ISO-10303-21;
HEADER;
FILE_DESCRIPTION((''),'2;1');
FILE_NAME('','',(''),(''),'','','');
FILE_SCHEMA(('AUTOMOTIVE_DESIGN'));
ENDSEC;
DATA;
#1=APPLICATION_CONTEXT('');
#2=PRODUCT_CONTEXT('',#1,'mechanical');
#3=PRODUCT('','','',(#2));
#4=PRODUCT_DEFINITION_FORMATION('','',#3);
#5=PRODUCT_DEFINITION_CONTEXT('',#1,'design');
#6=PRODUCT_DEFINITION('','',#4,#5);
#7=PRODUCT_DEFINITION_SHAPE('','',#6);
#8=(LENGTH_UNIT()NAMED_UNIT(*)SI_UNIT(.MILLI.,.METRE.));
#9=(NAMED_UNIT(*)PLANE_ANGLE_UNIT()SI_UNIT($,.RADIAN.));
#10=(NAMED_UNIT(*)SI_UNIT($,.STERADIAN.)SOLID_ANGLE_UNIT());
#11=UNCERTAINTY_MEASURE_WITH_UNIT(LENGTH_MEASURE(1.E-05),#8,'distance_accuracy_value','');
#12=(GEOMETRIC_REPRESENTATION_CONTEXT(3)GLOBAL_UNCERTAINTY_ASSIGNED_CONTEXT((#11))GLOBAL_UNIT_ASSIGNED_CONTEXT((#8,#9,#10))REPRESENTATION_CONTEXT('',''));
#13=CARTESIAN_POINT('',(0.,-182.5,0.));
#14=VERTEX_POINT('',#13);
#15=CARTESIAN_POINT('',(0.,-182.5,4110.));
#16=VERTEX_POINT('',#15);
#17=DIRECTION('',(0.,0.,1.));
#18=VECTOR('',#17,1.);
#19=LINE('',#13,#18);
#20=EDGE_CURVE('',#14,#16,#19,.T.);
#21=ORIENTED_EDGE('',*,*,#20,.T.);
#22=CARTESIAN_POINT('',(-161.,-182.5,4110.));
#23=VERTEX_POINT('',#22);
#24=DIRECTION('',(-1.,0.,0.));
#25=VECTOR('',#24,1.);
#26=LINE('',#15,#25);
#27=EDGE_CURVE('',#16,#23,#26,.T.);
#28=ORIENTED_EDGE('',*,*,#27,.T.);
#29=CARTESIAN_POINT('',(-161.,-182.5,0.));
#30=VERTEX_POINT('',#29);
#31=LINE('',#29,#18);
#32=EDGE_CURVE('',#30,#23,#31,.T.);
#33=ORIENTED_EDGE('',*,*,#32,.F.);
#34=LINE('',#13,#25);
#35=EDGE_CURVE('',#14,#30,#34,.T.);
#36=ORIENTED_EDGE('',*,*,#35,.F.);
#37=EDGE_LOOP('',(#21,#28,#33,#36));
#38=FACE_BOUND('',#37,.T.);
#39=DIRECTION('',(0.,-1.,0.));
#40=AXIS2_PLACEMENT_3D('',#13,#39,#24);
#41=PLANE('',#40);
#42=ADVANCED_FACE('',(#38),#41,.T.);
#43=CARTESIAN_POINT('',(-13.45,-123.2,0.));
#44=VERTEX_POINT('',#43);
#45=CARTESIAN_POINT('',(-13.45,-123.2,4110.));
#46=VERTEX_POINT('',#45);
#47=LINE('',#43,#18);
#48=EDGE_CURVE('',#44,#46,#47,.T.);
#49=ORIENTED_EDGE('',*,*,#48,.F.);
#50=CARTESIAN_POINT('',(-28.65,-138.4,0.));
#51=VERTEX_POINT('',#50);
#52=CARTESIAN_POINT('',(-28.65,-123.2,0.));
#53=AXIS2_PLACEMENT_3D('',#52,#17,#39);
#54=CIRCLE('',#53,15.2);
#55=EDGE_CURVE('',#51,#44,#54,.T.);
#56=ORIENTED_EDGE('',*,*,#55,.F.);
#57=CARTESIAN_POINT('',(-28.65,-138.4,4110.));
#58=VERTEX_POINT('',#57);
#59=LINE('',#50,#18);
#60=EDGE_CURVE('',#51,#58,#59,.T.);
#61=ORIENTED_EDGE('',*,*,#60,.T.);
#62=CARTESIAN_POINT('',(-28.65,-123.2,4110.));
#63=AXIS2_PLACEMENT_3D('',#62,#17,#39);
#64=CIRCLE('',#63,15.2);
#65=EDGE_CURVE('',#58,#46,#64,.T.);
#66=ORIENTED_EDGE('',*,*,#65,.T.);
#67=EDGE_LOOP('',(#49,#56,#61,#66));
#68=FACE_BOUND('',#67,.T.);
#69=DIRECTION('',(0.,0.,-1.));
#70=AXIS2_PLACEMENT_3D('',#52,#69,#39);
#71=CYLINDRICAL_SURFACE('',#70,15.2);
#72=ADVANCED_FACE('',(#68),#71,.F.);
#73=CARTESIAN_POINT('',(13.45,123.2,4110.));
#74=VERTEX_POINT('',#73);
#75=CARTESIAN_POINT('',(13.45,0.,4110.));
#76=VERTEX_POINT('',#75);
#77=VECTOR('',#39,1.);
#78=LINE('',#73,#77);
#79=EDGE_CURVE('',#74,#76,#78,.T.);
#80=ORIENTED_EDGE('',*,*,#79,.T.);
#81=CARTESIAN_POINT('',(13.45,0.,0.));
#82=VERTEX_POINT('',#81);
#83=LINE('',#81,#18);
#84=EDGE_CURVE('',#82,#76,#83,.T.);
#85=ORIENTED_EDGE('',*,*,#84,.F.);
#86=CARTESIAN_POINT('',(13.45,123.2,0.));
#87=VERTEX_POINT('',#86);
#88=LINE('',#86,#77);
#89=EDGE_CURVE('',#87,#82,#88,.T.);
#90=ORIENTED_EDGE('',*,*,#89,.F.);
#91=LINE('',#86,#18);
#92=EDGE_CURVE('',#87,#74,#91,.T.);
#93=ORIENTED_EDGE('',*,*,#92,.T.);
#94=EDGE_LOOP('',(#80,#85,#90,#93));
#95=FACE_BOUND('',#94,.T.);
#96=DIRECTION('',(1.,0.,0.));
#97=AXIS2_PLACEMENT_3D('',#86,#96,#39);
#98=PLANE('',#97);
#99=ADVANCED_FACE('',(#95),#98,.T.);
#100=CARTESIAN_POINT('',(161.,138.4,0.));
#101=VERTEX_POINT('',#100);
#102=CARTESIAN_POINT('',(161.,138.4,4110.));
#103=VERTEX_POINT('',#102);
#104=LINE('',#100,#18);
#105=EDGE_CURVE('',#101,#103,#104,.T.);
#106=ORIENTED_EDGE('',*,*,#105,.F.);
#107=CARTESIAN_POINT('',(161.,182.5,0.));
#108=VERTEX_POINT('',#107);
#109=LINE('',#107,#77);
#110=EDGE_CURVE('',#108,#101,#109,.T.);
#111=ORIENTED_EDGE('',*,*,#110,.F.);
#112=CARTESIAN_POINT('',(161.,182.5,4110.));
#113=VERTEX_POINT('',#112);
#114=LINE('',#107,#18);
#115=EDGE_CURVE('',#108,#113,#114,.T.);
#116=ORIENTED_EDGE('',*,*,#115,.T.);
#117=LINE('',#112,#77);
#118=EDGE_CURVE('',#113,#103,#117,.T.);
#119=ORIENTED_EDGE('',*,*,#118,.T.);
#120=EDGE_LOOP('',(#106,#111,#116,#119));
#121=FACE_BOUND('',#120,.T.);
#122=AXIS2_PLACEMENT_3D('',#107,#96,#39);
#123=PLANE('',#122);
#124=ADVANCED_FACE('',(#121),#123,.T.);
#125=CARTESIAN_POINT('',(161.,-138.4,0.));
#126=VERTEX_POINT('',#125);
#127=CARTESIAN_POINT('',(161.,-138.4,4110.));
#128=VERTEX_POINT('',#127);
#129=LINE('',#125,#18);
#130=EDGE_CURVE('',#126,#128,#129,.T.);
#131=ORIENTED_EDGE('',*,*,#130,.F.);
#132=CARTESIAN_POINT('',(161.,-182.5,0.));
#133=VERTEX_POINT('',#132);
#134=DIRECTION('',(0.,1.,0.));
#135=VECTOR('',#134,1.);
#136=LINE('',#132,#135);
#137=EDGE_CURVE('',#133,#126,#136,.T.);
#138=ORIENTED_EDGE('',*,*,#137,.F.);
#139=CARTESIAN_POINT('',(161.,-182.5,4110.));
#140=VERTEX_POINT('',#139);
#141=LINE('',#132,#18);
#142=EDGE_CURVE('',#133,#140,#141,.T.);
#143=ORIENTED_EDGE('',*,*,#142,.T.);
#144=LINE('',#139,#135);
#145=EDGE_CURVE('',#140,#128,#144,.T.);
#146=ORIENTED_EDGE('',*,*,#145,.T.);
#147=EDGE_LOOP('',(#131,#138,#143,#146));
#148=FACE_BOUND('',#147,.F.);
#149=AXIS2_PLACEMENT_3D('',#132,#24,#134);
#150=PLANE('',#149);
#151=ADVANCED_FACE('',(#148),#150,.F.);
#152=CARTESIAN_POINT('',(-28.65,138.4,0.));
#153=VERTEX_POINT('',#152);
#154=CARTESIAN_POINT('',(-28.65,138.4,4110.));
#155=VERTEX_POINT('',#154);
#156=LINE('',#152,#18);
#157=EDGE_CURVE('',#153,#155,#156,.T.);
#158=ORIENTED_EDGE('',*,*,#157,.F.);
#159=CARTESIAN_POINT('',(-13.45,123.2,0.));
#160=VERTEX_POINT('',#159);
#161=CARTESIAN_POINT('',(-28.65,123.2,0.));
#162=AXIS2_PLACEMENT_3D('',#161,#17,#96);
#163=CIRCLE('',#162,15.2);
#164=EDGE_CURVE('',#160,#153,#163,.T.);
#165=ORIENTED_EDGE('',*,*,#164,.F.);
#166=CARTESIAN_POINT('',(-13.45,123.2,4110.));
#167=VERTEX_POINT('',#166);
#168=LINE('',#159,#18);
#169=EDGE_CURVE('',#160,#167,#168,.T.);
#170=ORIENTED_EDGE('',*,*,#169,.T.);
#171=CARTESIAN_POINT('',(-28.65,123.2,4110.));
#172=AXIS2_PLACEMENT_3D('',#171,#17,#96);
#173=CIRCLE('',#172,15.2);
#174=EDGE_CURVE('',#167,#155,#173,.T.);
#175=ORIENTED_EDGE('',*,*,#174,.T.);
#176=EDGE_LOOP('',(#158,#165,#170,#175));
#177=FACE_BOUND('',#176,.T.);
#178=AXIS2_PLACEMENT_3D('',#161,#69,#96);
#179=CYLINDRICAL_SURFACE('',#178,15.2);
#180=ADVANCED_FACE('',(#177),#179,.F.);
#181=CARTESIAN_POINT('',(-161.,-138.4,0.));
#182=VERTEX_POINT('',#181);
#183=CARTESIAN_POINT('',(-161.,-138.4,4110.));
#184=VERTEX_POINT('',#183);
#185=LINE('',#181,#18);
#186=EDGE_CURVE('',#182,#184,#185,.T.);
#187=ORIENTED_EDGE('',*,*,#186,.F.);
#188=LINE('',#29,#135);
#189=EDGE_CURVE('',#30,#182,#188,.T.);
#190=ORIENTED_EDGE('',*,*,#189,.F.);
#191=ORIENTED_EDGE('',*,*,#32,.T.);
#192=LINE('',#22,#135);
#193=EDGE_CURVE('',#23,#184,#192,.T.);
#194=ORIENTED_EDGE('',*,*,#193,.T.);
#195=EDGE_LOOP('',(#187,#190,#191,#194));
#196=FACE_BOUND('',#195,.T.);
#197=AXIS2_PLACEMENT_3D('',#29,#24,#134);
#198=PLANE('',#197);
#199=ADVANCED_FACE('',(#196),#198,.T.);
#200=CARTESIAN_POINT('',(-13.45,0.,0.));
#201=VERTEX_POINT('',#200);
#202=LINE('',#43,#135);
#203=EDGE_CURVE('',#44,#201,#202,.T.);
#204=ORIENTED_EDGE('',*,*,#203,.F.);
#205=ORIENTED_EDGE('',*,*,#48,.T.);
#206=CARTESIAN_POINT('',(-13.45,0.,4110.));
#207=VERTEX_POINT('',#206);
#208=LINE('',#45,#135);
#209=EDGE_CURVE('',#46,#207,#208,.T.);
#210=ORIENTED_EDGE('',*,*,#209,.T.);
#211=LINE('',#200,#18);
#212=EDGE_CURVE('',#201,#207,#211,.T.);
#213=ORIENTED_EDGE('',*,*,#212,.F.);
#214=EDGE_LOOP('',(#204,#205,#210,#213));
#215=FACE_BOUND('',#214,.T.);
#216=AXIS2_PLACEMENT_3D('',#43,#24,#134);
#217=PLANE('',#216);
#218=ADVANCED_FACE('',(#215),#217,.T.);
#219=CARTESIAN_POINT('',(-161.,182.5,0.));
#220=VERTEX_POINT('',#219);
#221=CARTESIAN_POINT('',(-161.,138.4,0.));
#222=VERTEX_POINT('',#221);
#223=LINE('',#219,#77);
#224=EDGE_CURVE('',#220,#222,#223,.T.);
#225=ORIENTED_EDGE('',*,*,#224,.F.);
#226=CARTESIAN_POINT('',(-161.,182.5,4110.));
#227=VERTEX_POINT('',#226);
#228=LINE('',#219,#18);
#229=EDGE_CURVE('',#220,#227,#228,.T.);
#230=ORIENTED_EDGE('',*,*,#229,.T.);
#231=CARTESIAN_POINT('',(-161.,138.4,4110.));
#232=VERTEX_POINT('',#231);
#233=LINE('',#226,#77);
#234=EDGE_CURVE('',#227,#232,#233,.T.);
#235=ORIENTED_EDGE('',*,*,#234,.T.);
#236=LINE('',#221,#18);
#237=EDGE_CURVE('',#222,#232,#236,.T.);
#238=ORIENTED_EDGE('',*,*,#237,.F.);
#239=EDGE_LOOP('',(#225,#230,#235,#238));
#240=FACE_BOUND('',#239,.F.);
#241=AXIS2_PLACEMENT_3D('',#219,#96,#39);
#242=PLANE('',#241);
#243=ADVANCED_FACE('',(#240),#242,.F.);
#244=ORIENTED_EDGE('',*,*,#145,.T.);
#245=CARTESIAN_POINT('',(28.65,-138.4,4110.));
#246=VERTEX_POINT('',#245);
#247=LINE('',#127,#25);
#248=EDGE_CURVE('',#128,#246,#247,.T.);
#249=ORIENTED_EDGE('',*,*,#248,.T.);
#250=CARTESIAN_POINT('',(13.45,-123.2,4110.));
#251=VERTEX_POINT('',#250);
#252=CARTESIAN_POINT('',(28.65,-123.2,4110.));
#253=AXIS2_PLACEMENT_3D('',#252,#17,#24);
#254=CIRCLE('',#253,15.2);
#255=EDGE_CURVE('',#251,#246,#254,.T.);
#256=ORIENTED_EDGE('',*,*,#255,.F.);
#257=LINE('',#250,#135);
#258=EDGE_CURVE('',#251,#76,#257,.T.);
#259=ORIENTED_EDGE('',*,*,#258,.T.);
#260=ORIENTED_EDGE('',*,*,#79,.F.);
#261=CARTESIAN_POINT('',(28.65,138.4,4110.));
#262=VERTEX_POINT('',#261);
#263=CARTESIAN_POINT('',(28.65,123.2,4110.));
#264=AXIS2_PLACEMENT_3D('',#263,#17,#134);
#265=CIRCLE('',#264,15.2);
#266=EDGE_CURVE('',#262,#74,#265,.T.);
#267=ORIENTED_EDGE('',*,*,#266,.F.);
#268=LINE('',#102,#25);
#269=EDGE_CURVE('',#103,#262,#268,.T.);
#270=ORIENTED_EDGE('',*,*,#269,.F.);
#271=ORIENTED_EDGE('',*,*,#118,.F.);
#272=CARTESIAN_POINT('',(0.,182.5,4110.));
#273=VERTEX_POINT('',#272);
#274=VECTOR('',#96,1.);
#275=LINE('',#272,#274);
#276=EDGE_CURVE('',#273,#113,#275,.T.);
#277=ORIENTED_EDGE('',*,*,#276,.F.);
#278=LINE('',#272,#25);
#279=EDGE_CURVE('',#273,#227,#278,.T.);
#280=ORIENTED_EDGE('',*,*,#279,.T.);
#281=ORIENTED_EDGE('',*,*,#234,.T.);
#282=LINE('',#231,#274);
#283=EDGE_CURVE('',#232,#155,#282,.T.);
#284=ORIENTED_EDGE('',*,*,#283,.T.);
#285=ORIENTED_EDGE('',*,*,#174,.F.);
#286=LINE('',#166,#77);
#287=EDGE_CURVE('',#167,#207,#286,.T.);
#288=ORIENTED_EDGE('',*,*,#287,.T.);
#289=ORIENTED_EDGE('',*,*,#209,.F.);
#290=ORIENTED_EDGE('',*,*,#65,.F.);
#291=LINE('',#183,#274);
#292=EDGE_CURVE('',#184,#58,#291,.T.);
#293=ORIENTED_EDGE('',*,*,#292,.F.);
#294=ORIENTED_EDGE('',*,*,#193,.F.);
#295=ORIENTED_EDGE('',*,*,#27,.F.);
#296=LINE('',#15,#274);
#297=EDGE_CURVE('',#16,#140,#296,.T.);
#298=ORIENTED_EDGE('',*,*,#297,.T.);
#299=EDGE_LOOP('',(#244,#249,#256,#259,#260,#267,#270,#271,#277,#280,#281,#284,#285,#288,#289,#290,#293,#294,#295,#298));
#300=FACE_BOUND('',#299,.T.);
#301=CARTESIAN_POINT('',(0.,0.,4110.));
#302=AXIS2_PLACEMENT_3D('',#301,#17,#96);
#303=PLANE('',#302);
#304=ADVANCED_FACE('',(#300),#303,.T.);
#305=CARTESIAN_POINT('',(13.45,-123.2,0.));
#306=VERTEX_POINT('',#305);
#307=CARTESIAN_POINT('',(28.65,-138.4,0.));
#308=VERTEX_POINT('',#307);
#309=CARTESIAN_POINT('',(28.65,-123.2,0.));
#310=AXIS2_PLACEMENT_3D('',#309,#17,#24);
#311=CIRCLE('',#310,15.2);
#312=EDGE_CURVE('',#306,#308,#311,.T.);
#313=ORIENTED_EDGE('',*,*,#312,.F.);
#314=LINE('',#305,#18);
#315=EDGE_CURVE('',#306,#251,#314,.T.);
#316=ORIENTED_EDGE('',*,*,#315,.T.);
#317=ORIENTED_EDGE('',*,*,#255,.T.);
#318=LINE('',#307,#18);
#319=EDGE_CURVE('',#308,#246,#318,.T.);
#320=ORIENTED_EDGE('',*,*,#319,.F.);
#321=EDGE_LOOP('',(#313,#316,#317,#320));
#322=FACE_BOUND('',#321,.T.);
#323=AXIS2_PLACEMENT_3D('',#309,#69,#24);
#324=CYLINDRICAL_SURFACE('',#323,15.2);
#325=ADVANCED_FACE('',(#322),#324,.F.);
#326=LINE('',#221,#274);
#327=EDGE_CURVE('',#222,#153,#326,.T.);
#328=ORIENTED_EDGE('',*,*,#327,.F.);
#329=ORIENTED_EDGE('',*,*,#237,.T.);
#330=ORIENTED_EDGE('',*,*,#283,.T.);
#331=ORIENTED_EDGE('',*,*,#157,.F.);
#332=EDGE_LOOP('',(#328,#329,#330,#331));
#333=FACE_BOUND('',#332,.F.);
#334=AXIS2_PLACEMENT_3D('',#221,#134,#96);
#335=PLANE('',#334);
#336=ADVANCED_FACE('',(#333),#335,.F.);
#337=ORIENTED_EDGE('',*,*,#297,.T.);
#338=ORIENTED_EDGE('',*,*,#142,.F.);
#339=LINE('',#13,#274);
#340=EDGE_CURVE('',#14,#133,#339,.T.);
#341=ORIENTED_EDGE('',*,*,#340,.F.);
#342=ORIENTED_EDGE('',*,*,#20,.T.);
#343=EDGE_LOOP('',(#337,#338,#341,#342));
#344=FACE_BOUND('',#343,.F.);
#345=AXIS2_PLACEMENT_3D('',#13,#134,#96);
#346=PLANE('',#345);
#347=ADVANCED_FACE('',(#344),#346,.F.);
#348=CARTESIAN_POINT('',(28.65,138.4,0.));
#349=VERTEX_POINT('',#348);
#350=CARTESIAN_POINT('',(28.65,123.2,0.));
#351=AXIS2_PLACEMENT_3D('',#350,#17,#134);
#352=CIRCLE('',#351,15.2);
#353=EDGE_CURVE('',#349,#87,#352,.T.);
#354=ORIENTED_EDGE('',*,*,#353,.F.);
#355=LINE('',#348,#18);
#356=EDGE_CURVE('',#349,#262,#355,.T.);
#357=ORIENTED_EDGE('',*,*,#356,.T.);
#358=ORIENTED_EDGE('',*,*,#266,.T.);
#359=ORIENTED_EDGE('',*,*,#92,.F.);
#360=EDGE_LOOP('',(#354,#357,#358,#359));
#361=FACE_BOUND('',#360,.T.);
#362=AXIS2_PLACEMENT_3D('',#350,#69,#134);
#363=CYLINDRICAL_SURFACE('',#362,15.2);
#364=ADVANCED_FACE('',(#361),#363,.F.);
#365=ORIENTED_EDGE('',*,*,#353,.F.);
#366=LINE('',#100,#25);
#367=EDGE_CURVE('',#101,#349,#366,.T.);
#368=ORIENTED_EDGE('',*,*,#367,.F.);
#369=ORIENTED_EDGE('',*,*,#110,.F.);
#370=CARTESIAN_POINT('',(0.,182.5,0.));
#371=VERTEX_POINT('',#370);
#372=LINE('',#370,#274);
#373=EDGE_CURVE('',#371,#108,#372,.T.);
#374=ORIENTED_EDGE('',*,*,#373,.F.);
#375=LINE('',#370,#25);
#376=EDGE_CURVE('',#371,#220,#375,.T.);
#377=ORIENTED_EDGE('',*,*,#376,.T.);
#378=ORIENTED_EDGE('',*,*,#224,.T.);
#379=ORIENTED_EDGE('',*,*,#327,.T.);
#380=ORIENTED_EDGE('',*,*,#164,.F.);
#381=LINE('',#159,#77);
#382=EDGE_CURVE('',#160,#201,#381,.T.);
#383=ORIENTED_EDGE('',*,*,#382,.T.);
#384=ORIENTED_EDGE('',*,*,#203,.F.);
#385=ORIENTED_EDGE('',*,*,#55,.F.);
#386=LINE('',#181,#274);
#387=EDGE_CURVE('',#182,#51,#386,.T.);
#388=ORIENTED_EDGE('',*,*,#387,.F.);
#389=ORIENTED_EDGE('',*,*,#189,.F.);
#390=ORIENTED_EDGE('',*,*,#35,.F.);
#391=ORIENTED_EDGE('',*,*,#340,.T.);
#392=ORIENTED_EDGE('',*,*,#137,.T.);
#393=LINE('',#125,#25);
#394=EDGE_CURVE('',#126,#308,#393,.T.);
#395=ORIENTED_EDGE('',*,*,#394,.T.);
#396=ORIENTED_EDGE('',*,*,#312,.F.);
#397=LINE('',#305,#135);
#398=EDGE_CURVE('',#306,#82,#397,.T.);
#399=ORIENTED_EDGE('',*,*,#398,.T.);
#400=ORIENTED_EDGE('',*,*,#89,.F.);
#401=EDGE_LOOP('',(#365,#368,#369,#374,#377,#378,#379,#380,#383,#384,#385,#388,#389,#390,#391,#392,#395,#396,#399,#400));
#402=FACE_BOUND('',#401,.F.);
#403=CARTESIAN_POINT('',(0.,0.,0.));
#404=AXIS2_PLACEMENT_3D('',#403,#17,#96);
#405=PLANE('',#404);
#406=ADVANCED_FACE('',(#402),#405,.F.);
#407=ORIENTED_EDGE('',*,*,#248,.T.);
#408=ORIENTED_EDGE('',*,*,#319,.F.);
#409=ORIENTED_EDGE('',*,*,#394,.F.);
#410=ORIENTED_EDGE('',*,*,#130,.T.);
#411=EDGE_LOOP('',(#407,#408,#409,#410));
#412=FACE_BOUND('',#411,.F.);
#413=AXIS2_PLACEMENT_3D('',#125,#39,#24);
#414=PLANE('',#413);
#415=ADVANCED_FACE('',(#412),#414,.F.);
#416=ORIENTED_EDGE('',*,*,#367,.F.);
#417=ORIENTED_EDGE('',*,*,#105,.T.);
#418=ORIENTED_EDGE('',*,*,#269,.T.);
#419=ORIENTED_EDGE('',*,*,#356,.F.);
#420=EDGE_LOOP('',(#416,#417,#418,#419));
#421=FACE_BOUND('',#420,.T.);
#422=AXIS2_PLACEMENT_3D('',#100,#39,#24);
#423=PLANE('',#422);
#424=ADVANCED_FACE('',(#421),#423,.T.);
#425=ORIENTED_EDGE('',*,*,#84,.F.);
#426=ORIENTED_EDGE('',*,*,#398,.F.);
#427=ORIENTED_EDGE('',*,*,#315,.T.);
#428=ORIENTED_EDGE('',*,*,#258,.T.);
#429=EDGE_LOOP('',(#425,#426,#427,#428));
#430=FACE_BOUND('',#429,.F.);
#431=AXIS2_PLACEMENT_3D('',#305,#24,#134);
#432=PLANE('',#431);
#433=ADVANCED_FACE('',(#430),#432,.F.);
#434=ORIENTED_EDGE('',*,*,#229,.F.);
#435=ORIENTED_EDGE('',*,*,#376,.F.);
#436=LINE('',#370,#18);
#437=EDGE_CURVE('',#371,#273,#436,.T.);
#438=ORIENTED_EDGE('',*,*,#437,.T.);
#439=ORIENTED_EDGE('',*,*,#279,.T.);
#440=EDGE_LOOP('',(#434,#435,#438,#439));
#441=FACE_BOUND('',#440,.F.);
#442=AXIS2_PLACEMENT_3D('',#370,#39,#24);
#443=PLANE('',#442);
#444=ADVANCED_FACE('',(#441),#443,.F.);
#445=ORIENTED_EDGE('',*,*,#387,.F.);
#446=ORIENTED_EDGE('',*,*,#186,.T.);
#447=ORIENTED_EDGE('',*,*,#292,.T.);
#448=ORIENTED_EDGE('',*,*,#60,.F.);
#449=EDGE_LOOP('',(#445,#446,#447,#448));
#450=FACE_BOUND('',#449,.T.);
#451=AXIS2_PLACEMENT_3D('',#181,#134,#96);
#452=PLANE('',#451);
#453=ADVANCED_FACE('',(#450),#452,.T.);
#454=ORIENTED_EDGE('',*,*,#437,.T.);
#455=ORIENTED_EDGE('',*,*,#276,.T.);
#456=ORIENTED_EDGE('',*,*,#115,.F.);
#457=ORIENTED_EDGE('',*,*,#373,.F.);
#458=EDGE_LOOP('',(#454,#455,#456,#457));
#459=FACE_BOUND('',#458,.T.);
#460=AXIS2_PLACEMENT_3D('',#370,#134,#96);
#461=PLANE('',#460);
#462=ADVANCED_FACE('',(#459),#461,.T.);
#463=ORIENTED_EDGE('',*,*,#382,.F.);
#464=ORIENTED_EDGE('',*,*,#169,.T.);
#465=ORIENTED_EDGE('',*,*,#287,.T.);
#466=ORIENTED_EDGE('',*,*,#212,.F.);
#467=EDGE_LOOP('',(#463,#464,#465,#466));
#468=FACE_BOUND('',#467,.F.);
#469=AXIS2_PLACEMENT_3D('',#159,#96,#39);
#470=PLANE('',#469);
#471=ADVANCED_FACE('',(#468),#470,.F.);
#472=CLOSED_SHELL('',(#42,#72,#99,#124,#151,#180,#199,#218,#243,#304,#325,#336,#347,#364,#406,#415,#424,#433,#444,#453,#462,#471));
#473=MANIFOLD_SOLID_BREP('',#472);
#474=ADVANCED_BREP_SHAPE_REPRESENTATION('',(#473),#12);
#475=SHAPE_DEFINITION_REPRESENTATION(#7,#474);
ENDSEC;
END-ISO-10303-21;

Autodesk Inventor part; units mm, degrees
ref_plane "YZ Plane" through (0, 0, 0) normal (1, 0, 0) x (0, 1, 0)
ref_plane "Start plane" through (0, 0, 0) normal (0, 0, 1) x (1, 0, 0)
ref_plane "End plane" through (0, 0, 4110) normal (0, 0, 1) x (1, 0, 0)
sketch "Sketch" plane through (0, 0, 0) normal (0, 0, 1) x (1, 0, 0)
  line L0 (-161, -182.5) -> (-161, -138.4)
  line L1 (-161, -138.4) -> (-28.65, -138.4)
  line L2 (-13.45, -123.2) -> (-13.45, 0)
  line L3 (-13.45, 0) -> (0, 0) construction
  line L4 (0, 0) -> (0, -182.5) construction
  line L5 (0, -182.5) -> (-161, -182.5)
  line L6 (-60, 0) -> (80, 0) construction
  line L7 (0, -60) -> (0, 80) construction
  line L8 (161, -182.5) -> (161, -138.4)
  line L9 (161, -138.4) -> (28.65, -138.4)
  line L10 (13.45, -123.2) -> (13.45, 0)
  line L11 (13.45, 0) -> (0, 0) construction
  line L12 (0, -182.5) -> (161, -182.5)
  line L13 (-161, 182.5) -> (-161, 138.4)
  line L14 (-161, 138.4) -> (-28.65, 138.4)
  line L15 (-13.45, 123.2) -> (-13.45, 0)
  line L16 (0, 182.5) -> (-161, 182.5)
  line L17 (161, 182.5) -> (161, 138.4)
  line L18 (161, 138.4) -> (28.65, 138.4)
  line L19 (0, 182.5) -> (161, 182.5)
  line L20 (13.45, 123.2) -> (13.45, 0)
  arc A0 (-13.45, 123.2) -> (-28.65, 138.4) centre (-28.65, 123.2) ccw
  arc A1 (28.65, 138.4) -> (13.45, 123.2) centre (28.65, 123.2) ccw
  arc A2 (13.45, -123.2) -> (28.65, -138.4) centre (28.65, -123.2) ccw
  arc A3 (-28.65, -138.4) -> (-13.45, -123.2) centre (-28.65, -123.2) ccw
  line L21 (0, 108) -> (0, -88) construction
  line L22 (-88, 0) -> (108, 0) construction
  point P0 (-13.45, -138.4)
  point P1 (13.45, -138.4)
  point P2 (-13.45, 138.4)
  point P3 (13.45, 138.4)
  dimension "d1" = 182.5
  dimension "d2" = 44.1
  dimension "d3" = 161
  dimension "d4" = 13.45
  dimension "d10" = 15.2
extrude "Body" add sketch "Sketch" along normal up to surface (4110 mm away) from surface at 0
sketch "Sketch4" plane through (0, 0, 0) normal (0, 0, 1) x (1, 0, 0)
  line L0 (0, 0) -> (10, 0)
ref_plane "Work Plane3" through (0, 0, 0) normal (0, -1, 0) x (1, 0, 0)
sketch "Sketch5" plane through (0, 0, 0) normal (0, -1, 0) x (1, 0, 0)
  line L0 (-2, 0) -> (12, 0) projected
  line L1 (-2, 4110) -> (12, 4110) projected
  dimension "d14" = 4110
equation "\"d1\" = 0.5 * G_H"
equation "\"d2\" = G_T1"
equation "\"d3\" = 0.5 * G_W"
equation "\"d4\" = 0.5 * G_T"
equation "\"d10\" = G_IR"
equation "\"d5\" = G_L"
equation "\"G_W\" = 322"
equation "\"G_H\" = 365"
equation "\"G_T\" = 26.9"
equation "\"G_T1\" = 44.1"
equation "\"G_IR\" = 15.2"
equation "\"G_L\" = d14"
equation "\"G_OFFSET_START\" = 0"
equation "\"G_OFFSET_END\" = 0"
properties part number "AS 3679 - 310 UC - 283 - 4110" material "Steel, Mild"
